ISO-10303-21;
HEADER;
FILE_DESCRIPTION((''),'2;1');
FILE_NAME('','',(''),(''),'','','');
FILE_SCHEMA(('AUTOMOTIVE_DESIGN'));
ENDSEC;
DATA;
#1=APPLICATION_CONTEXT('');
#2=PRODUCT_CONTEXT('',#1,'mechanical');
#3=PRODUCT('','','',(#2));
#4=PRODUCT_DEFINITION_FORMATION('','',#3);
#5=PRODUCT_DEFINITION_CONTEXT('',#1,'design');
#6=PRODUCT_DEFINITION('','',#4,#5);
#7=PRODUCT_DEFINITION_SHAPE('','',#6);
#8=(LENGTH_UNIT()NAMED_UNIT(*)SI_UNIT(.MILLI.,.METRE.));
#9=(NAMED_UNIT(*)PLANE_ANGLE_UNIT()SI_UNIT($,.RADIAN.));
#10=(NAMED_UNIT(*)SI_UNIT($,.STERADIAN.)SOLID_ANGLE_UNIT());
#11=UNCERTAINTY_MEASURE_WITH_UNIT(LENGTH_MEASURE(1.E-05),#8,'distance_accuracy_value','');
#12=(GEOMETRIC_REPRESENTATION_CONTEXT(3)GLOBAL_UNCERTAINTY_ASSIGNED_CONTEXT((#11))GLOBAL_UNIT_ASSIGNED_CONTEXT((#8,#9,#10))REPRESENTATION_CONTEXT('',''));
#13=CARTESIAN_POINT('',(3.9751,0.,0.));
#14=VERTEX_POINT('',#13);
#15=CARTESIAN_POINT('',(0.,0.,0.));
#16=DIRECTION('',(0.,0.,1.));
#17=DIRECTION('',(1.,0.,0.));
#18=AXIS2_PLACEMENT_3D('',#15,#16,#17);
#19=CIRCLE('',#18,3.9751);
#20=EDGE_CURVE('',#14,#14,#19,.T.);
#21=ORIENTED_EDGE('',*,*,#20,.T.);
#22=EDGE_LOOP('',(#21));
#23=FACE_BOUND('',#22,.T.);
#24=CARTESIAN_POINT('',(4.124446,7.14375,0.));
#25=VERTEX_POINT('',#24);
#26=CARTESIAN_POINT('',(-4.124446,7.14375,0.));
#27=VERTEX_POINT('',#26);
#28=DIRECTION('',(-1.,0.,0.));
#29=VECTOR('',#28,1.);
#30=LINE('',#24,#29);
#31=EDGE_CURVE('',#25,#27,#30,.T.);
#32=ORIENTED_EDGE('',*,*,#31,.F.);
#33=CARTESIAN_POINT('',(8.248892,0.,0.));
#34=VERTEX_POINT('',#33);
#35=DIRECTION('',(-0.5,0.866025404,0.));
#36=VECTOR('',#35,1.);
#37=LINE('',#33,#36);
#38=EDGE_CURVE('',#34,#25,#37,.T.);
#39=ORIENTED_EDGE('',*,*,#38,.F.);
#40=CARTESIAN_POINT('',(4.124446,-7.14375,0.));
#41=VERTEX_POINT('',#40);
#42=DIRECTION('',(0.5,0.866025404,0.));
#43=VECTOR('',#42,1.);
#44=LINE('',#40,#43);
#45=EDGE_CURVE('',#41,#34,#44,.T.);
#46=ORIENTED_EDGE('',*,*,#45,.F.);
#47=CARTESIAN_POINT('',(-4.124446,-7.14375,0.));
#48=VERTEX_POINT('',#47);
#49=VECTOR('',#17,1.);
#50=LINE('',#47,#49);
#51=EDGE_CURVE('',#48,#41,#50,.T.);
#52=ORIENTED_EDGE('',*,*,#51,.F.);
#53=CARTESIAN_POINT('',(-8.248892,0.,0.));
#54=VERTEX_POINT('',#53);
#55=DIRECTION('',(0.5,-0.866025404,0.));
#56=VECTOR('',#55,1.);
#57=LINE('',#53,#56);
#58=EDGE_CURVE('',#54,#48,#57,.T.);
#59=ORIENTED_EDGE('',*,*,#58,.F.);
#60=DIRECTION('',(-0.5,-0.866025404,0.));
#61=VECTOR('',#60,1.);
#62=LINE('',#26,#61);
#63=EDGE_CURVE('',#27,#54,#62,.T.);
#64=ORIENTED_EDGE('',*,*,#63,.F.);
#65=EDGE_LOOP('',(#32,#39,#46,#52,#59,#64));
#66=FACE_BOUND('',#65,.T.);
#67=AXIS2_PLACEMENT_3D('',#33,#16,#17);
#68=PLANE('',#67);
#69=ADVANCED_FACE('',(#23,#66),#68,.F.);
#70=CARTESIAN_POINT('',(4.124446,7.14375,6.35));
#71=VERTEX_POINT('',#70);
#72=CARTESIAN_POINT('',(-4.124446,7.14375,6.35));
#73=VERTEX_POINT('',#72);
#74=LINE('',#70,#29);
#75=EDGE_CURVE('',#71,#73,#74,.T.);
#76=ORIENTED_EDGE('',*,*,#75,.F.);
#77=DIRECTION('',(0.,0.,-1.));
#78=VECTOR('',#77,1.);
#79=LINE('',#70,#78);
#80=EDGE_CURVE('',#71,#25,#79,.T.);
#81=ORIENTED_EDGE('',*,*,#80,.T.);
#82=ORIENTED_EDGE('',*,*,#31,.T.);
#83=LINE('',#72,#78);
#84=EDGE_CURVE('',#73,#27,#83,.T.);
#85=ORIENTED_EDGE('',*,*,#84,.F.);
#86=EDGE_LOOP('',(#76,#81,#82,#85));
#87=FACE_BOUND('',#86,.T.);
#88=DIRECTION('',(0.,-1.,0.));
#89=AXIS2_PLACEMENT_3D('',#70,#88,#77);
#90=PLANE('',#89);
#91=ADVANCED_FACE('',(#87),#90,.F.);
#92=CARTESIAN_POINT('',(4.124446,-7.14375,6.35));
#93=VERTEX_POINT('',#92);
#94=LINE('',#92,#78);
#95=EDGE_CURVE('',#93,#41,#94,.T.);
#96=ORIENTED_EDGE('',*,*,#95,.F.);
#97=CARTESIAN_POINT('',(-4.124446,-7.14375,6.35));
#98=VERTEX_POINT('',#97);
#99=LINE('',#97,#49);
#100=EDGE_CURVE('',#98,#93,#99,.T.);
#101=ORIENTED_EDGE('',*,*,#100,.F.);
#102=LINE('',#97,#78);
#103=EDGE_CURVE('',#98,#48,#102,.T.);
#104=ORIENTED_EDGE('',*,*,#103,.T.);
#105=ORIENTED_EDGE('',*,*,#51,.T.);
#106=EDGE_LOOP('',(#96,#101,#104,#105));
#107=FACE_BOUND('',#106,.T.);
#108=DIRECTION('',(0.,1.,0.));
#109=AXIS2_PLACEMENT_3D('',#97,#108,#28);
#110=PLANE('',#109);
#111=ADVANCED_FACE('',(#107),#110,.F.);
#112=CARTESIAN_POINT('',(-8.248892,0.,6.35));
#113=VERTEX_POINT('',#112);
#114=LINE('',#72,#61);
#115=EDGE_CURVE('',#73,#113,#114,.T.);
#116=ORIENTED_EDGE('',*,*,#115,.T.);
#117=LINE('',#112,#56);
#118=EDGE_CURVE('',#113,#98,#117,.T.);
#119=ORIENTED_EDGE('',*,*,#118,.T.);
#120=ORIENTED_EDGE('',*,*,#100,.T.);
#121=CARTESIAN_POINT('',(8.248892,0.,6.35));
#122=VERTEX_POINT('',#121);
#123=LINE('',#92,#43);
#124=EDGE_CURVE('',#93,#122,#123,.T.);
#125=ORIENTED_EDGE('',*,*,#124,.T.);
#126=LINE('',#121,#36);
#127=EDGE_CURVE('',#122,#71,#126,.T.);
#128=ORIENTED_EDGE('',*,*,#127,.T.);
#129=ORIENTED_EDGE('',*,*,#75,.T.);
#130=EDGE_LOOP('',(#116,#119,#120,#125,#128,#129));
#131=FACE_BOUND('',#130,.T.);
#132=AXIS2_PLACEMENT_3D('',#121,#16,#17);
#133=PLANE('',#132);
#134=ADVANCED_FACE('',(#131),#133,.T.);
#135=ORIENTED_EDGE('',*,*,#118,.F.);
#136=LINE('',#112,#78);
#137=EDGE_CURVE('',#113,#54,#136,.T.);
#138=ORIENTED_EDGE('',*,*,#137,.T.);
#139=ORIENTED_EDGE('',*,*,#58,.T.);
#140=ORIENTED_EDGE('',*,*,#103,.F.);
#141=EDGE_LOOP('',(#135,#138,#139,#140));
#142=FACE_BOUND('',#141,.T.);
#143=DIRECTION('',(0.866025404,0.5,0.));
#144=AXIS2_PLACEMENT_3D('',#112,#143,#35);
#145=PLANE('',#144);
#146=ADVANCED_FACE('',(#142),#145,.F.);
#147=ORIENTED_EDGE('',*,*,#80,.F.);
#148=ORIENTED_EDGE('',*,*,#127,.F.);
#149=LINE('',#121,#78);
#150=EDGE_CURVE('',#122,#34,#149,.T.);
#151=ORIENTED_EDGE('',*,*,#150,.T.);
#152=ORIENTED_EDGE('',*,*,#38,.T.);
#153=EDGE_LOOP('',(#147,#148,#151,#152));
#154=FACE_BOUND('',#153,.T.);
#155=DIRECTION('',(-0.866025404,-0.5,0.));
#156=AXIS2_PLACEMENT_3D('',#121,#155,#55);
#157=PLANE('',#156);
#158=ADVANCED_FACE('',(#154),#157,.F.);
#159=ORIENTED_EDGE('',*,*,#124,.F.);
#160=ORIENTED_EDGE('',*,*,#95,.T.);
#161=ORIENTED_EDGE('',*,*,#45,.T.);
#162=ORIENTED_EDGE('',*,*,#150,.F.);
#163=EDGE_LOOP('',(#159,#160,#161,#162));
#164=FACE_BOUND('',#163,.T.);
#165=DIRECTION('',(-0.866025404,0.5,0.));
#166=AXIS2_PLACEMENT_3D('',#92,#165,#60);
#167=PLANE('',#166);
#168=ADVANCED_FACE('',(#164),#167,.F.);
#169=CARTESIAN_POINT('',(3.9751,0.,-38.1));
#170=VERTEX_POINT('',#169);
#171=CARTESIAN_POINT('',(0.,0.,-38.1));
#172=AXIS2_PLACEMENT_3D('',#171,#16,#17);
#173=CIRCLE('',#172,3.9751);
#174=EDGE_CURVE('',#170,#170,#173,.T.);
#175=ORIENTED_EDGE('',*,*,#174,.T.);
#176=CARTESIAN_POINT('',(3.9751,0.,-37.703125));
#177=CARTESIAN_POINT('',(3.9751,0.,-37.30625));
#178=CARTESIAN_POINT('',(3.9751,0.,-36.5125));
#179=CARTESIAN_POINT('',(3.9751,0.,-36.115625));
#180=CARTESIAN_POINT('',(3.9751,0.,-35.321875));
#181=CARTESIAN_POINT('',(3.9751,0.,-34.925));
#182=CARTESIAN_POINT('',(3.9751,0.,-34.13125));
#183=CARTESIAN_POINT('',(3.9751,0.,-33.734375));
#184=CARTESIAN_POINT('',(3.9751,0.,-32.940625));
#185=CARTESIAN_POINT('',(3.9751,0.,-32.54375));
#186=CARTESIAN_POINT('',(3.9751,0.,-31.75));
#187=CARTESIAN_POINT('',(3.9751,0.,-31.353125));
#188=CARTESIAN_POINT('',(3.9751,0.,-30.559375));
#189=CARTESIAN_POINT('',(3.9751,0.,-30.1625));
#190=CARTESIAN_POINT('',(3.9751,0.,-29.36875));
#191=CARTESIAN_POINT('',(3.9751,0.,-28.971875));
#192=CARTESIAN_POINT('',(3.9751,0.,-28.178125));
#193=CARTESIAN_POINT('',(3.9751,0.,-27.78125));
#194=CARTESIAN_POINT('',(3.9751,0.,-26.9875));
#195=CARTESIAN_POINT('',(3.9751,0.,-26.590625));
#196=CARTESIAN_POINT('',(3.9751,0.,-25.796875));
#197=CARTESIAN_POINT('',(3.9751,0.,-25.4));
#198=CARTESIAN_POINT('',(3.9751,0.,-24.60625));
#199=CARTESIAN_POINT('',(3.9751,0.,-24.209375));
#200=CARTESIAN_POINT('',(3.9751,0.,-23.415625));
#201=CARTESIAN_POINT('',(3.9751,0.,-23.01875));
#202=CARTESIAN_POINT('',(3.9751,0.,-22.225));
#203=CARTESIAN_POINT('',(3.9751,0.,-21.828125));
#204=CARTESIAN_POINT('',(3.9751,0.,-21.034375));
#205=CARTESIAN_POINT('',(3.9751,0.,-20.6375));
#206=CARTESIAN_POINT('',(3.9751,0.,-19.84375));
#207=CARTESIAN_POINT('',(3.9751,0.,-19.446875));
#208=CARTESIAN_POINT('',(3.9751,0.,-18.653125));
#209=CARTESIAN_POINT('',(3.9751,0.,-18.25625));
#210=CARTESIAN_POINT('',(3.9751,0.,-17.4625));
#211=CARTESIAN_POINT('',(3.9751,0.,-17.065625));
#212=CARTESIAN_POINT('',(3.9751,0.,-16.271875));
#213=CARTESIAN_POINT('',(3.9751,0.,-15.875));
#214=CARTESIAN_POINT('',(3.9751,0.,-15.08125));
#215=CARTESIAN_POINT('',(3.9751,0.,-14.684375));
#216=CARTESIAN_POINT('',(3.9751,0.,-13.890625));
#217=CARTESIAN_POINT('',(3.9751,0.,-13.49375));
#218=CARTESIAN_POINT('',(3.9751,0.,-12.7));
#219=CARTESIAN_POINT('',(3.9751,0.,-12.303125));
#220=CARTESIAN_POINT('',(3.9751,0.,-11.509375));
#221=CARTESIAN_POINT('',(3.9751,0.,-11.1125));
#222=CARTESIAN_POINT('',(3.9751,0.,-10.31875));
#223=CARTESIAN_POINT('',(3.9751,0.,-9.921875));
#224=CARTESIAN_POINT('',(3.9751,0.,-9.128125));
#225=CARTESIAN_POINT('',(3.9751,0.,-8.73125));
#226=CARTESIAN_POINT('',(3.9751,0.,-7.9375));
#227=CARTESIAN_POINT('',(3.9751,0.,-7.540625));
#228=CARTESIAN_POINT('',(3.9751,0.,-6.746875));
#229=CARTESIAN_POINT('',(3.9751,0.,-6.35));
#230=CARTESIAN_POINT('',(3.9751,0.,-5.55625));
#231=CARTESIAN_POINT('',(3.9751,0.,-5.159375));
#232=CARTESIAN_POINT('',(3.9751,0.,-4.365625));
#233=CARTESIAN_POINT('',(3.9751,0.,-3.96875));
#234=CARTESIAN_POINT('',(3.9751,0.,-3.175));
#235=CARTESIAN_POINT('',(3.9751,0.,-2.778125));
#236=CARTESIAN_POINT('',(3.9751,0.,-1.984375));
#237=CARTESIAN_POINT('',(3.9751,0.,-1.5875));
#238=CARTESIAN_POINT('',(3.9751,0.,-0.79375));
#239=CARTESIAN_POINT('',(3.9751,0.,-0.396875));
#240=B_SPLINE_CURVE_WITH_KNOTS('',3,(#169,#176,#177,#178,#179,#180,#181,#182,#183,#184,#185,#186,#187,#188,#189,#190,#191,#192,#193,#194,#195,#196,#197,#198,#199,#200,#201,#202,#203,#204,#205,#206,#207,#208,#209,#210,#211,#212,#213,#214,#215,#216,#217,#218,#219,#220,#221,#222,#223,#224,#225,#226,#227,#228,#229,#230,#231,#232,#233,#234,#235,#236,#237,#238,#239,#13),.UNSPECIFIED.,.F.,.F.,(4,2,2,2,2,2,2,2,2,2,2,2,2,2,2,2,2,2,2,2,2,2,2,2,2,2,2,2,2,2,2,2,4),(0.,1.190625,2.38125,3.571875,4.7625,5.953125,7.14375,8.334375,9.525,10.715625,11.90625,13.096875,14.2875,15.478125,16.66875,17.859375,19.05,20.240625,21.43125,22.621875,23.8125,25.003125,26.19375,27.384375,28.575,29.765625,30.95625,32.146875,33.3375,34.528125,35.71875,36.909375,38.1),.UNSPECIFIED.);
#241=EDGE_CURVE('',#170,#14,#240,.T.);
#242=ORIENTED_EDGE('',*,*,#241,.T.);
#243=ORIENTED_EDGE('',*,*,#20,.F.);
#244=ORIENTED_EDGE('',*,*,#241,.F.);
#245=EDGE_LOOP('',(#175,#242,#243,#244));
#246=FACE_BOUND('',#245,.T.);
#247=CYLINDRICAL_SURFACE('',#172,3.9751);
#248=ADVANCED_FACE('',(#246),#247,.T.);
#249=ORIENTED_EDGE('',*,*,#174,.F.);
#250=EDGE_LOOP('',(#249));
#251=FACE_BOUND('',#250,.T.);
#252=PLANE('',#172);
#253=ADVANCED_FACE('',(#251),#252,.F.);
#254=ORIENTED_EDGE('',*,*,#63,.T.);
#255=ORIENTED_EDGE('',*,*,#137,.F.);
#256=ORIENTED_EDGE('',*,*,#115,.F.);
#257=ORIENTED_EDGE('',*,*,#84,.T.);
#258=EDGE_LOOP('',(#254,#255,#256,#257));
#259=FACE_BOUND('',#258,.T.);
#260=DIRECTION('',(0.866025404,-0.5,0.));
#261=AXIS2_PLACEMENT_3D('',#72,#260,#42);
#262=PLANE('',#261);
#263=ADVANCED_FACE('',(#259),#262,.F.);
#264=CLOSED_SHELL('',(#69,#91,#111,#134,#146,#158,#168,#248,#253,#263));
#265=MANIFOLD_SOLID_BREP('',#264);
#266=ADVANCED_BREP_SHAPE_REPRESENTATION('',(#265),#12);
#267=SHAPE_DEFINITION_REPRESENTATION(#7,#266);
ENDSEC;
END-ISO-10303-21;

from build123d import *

# Parameters (mm, degrees)
ESQUISSE1_R        = 3.9751
BOSS_EXTRU_1_DEPTH = 38.1
BOSS_EXTRU_2_DEPTH = 6.35


with BuildPart() as part:
    # Esquisse1 → Boss.-Extru.1 (new body)
    with BuildSketch(Plane.XY):
        Circle(ESQUISSE1_R)
    extrude(amount=-BOSS_EXTRU_1_DEPTH)

    # Esquisse2 → Boss.-Extru.2 (add)
    with BuildSketch(Plane.XY):
        Polygon((8.248891971, 0), (4.124445986, 7.14375), (-4.124445986, 7.14375), (-8.248891971, 0), (-4.124445986, -7.14375), (4.124445986, -7.14375), align=None)
    extrude(amount=BOSS_EXTRU_2_DEPTH)


solid = part.part
